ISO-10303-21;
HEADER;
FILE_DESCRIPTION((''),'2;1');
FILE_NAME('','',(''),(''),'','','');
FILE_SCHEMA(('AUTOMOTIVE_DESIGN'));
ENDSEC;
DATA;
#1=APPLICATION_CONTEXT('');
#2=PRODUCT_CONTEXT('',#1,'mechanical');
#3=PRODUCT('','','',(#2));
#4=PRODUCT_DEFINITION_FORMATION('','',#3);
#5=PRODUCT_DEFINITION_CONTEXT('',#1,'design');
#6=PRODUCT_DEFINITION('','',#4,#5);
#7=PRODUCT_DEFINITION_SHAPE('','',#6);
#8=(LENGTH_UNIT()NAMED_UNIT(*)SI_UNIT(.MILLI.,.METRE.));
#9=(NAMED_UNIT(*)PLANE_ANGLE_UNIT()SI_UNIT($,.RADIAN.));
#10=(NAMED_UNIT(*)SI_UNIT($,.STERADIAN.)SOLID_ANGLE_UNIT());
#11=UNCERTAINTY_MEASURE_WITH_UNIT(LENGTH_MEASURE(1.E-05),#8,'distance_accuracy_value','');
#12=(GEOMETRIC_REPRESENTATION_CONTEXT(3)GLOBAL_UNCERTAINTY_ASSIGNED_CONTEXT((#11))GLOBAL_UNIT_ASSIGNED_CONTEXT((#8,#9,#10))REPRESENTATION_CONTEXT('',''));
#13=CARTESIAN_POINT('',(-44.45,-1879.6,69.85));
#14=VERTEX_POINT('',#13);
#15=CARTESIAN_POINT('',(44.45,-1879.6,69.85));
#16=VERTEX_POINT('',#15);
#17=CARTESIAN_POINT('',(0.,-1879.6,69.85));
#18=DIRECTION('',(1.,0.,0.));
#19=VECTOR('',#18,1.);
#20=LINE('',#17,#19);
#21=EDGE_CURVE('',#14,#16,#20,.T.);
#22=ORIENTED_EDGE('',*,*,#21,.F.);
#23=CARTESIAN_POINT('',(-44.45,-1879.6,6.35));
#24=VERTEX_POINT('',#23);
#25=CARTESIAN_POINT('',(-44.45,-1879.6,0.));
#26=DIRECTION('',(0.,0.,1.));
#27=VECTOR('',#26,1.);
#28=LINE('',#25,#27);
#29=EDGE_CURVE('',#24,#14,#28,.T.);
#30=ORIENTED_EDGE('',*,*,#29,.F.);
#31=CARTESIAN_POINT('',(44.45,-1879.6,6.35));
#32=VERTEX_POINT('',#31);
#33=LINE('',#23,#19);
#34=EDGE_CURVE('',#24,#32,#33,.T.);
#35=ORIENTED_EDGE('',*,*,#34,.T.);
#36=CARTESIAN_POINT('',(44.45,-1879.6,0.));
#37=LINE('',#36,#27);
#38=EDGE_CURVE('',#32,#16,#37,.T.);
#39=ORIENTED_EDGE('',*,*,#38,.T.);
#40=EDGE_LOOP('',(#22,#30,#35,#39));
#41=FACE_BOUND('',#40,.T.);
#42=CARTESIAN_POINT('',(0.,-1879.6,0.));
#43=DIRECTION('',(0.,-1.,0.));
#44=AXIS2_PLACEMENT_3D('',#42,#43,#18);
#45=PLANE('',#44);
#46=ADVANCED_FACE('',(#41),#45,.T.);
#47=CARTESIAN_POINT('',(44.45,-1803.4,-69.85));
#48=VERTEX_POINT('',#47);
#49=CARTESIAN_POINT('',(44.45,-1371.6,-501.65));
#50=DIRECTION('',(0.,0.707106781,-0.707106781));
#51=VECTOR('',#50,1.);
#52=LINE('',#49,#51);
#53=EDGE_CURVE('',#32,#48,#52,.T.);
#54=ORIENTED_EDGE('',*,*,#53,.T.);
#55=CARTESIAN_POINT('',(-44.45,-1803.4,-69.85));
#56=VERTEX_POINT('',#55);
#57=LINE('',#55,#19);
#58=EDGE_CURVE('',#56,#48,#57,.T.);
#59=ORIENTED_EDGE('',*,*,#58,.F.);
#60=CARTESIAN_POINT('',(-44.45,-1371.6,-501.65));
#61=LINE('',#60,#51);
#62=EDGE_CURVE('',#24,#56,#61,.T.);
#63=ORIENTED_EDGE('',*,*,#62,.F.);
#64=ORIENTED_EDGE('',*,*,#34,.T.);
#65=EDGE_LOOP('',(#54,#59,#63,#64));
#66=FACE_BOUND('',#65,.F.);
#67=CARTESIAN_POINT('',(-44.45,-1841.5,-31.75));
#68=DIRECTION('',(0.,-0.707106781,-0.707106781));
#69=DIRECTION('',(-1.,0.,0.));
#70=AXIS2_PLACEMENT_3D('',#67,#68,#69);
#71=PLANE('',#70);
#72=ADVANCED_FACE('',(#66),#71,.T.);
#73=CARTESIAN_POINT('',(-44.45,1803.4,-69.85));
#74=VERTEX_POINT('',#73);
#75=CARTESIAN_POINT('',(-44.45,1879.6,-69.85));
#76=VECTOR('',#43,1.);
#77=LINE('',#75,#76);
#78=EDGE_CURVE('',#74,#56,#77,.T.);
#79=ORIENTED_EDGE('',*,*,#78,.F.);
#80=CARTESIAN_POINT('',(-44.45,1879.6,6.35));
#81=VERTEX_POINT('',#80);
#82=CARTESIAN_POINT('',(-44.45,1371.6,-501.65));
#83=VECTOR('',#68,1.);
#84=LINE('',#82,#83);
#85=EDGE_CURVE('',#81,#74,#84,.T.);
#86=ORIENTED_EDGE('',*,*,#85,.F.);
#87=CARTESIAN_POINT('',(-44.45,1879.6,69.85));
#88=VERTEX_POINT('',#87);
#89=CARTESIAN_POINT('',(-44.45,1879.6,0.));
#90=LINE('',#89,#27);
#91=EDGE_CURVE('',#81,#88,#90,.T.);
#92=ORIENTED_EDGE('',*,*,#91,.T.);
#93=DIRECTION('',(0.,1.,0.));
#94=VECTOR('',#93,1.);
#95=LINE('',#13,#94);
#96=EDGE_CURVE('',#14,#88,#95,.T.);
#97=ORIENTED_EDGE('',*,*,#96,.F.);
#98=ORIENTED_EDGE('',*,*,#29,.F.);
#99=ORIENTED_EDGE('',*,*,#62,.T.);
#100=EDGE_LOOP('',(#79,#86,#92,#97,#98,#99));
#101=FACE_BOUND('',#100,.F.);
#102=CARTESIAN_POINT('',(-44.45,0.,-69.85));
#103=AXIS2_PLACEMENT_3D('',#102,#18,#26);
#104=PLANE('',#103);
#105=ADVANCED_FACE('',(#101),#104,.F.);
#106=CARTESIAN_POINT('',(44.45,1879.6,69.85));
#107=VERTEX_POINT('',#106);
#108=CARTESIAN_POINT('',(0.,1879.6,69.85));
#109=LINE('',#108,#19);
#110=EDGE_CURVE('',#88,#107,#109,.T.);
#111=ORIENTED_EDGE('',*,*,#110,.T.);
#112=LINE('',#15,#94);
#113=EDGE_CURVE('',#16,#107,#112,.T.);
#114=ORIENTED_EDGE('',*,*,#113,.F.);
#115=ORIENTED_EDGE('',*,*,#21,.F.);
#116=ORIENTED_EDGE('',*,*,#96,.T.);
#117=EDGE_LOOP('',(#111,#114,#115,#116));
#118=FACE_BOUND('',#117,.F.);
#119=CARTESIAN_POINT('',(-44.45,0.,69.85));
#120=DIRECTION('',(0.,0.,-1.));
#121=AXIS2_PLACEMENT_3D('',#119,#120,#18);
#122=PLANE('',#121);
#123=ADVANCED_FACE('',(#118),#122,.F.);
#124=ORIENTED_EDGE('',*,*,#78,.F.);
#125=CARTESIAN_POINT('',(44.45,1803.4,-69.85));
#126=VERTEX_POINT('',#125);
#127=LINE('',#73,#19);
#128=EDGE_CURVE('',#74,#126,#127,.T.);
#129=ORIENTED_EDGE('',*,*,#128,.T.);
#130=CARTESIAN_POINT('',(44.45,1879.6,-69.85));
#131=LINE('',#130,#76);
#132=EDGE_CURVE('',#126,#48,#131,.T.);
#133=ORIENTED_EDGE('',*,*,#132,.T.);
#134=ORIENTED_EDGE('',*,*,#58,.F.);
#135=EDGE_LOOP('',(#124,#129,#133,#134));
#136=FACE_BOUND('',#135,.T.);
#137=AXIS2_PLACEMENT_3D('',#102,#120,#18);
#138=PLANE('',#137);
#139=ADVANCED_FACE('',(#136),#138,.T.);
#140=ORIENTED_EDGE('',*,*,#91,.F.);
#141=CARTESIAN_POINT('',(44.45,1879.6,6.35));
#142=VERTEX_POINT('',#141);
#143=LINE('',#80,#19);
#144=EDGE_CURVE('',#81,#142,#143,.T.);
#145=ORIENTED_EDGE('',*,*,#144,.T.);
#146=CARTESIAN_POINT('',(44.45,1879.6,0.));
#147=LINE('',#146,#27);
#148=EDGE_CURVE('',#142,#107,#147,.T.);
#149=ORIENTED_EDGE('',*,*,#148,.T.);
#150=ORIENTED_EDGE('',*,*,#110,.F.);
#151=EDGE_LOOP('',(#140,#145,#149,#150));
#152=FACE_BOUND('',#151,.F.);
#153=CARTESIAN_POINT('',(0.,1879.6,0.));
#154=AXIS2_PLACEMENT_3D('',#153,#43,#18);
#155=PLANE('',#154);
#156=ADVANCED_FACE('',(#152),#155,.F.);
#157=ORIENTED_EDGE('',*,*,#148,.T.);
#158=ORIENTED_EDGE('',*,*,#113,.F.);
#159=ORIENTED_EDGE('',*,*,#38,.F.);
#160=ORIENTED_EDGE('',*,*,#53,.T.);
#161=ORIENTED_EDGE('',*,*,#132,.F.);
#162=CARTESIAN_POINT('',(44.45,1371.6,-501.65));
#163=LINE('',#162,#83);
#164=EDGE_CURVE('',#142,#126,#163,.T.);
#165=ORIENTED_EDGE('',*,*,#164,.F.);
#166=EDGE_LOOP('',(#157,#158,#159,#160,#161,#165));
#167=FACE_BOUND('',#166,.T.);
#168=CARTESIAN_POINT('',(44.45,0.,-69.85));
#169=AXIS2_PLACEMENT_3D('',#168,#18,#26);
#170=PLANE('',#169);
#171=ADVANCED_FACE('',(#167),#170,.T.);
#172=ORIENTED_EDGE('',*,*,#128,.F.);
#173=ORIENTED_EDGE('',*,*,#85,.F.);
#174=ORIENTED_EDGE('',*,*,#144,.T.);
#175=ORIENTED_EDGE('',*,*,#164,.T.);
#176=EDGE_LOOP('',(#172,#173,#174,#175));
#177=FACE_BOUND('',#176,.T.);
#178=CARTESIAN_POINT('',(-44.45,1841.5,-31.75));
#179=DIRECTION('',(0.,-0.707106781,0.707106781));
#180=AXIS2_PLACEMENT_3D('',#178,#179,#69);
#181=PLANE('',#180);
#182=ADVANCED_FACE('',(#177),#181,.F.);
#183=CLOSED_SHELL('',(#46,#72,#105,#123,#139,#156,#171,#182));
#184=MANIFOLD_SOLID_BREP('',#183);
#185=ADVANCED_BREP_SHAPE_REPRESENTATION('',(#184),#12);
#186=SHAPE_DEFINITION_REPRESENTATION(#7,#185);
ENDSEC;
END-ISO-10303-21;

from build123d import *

# Parameters (mm, degrees)
F0_W     = 88.9
F0_H     = 139.7
F1_DEPTH = 1879.6
F2_SIZE  = 76.2


with BuildPart() as f1:
    # F0 (on Front) → F1 (new body, symmetric)
    with BuildSketch(Plane.XZ):
        Rectangle(F0_W, F0_H)
    extrude(amount=F1_DEPTH, both=True)

    # F2
    f2_edges = [f1.edges().sort_by_distance(p)[0] for p in [
        (0, -1879.6, -69.85),
        (0, 1879.6, -69.85),
    ]]
    chamfer(f2_edges, length=F2_SIZE)


solid = f1.part
